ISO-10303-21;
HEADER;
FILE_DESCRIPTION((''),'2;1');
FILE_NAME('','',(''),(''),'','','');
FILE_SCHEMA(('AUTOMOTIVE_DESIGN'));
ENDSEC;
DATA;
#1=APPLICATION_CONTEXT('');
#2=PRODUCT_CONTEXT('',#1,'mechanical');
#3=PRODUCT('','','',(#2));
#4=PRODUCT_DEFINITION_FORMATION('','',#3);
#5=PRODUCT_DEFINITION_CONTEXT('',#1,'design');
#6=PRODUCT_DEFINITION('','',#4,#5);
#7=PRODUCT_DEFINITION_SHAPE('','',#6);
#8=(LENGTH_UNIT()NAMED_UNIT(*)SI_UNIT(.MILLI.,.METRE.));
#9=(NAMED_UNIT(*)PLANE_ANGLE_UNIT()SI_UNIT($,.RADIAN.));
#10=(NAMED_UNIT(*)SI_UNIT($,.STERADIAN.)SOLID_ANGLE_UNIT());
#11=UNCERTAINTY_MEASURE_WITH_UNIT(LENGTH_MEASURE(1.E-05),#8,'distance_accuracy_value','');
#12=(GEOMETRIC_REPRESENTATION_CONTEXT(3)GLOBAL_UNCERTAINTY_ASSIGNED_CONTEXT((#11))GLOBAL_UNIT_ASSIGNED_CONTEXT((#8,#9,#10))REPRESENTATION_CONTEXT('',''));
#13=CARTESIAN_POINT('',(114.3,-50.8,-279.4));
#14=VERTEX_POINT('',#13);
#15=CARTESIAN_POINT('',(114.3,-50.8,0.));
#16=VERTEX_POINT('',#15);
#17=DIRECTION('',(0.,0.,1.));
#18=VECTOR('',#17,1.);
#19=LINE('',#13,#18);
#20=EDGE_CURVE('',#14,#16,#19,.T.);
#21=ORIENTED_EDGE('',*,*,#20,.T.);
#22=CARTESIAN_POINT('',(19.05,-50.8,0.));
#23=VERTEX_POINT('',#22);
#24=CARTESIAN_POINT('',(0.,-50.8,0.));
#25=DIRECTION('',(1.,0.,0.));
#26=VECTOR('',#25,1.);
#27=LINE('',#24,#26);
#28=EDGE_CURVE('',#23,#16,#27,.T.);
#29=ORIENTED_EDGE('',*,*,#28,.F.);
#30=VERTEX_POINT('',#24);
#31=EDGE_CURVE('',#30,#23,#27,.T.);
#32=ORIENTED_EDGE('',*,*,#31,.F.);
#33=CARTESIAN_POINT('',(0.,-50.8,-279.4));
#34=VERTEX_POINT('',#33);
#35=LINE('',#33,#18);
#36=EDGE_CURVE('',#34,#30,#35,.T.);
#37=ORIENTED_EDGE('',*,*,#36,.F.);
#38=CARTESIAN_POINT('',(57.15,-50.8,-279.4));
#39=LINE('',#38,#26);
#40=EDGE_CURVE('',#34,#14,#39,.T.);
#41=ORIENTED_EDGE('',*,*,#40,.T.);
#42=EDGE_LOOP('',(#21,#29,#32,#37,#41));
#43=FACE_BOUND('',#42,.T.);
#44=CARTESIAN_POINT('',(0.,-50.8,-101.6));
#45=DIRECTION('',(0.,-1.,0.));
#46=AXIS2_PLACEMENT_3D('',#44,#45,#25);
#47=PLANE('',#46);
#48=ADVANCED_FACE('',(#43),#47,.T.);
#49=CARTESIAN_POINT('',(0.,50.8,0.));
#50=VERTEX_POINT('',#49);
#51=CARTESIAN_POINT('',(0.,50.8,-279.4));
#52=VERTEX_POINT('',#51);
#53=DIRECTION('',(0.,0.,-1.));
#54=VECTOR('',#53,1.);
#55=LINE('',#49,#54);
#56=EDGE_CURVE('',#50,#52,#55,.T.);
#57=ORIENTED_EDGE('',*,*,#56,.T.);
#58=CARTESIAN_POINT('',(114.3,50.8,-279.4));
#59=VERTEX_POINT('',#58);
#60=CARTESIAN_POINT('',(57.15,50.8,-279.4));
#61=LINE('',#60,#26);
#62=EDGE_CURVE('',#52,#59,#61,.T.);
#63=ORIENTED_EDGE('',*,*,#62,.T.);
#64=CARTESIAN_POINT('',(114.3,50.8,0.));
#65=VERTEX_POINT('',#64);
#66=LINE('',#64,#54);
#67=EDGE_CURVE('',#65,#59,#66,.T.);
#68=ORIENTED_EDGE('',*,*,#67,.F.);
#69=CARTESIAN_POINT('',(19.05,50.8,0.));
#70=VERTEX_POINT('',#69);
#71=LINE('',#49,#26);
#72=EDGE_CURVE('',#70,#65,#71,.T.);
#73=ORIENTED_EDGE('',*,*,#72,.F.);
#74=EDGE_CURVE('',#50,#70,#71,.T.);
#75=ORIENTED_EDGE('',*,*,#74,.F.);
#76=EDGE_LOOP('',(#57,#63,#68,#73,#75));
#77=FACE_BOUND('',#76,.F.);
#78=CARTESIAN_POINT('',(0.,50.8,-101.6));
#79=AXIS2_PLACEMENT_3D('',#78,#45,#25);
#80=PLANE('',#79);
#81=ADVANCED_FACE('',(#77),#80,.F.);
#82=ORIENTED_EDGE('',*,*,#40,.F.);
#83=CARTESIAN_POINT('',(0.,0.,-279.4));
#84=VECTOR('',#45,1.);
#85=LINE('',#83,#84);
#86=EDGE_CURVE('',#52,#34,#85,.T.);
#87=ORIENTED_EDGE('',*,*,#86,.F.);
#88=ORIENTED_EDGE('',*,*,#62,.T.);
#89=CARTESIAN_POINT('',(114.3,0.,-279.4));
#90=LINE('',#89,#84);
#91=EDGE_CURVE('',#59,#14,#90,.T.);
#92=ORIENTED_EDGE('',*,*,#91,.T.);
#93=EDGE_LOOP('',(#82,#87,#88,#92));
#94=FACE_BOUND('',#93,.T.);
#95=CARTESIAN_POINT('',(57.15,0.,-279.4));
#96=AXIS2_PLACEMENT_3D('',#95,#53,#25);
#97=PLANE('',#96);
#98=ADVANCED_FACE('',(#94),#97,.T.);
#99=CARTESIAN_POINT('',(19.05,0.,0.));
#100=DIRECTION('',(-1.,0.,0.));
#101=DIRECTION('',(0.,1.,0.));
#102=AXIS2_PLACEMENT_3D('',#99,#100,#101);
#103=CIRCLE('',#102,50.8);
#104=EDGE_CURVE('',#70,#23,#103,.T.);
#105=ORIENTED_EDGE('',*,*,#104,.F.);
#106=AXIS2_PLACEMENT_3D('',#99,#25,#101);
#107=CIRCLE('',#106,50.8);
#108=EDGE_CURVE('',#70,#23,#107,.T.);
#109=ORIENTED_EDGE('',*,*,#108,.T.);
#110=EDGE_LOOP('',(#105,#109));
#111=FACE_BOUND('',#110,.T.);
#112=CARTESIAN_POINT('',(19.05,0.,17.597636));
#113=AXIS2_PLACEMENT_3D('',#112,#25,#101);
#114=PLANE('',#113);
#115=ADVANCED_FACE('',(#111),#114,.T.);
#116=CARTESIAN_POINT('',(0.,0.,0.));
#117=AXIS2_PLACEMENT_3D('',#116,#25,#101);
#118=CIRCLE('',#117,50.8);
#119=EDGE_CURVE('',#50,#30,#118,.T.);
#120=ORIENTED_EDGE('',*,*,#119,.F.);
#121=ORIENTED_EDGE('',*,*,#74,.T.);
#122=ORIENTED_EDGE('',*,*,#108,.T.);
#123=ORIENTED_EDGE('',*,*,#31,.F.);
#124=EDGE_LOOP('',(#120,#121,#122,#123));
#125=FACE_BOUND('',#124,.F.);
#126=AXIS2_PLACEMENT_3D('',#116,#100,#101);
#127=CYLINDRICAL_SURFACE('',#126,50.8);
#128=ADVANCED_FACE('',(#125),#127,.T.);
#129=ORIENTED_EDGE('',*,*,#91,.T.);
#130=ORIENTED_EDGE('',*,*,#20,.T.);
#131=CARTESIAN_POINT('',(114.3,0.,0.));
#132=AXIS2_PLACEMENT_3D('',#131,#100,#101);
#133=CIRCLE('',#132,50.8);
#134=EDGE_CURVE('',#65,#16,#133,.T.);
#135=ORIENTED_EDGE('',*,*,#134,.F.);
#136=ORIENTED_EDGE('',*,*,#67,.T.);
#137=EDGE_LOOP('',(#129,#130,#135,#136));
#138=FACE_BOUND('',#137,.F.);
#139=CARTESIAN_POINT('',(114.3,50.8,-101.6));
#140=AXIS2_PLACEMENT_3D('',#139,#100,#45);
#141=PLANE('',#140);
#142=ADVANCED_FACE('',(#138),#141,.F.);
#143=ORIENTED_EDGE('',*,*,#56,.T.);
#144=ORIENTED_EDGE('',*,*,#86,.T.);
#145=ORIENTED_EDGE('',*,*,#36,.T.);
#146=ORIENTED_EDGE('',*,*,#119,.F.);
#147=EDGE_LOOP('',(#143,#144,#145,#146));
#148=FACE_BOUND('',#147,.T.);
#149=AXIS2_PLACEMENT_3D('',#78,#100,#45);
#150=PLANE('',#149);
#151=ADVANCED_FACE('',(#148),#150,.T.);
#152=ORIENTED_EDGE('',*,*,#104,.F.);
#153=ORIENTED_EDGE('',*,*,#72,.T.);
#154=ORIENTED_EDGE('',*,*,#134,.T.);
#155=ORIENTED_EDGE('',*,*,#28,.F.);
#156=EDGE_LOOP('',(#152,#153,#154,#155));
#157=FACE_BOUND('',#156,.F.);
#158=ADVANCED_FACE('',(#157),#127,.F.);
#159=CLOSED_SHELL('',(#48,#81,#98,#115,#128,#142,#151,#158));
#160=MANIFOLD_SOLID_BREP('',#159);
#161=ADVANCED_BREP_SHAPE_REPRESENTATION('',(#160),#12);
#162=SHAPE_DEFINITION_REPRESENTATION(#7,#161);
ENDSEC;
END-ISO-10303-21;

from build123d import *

# Parameters (mm, degrees)
F1_DEPTH = 19.05
F2_DEPTH = 114.3
F3_W     = 114.3
F3_H     = 101.6
F4_DEPTH = 177.8


with BuildPart() as f1:
    # F0 (on Right) → F1 (new body)
    with BuildSketch(Plane.YZ):
        with BuildLine():
            Line((-50.8, 0), (50.8, 0))
            ThreePointArc((50.8, 0), (0, 50.8), (-50.8, 0))
        make_face()
        with BuildLine():
            Line((50.8, -101.6), (50.8, 0))
            ThreePointArc((50.8, 0), (0, -50.8), (-50.8, 0))
            Line((-50.8, 0), (-50.8, -101.6))
            Line((-50.8, -101.6), (50.8, -101.6))
        make_face()
        with BuildLine():
            ThreePointArc((-50.8, 0), (0, -50.8), (50.8, 0))
            Line((50.8, 0), (-50.8, 0))
        make_face()
    extrude(amount=F1_DEPTH)

    # F0 (on Right) → F2 (join)
    with BuildSketch(Plane.YZ):
        with BuildLine():
            Line((50.8, -101.6), (50.8, 0))
            ThreePointArc((50.8, 0), (0, -50.8), (-50.8, 0))
            Line((-50.8, 0), (-50.8, -101.6))
            Line((-50.8, -101.6), (50.8, -101.6))
        make_face()
    extrude(amount=F2_DEPTH)

    # F3 (on face) → F4 (join)
    with BuildSketch(Plane(origin=(0, 0, -101.6), x_dir=(1, 0, 0), z_dir=(0, 0, -1))):
        with Locations((57.15, 0)):
            Rectangle(F3_W, F3_H)
    extrude(amount=F4_DEPTH)


solid = f1.part
